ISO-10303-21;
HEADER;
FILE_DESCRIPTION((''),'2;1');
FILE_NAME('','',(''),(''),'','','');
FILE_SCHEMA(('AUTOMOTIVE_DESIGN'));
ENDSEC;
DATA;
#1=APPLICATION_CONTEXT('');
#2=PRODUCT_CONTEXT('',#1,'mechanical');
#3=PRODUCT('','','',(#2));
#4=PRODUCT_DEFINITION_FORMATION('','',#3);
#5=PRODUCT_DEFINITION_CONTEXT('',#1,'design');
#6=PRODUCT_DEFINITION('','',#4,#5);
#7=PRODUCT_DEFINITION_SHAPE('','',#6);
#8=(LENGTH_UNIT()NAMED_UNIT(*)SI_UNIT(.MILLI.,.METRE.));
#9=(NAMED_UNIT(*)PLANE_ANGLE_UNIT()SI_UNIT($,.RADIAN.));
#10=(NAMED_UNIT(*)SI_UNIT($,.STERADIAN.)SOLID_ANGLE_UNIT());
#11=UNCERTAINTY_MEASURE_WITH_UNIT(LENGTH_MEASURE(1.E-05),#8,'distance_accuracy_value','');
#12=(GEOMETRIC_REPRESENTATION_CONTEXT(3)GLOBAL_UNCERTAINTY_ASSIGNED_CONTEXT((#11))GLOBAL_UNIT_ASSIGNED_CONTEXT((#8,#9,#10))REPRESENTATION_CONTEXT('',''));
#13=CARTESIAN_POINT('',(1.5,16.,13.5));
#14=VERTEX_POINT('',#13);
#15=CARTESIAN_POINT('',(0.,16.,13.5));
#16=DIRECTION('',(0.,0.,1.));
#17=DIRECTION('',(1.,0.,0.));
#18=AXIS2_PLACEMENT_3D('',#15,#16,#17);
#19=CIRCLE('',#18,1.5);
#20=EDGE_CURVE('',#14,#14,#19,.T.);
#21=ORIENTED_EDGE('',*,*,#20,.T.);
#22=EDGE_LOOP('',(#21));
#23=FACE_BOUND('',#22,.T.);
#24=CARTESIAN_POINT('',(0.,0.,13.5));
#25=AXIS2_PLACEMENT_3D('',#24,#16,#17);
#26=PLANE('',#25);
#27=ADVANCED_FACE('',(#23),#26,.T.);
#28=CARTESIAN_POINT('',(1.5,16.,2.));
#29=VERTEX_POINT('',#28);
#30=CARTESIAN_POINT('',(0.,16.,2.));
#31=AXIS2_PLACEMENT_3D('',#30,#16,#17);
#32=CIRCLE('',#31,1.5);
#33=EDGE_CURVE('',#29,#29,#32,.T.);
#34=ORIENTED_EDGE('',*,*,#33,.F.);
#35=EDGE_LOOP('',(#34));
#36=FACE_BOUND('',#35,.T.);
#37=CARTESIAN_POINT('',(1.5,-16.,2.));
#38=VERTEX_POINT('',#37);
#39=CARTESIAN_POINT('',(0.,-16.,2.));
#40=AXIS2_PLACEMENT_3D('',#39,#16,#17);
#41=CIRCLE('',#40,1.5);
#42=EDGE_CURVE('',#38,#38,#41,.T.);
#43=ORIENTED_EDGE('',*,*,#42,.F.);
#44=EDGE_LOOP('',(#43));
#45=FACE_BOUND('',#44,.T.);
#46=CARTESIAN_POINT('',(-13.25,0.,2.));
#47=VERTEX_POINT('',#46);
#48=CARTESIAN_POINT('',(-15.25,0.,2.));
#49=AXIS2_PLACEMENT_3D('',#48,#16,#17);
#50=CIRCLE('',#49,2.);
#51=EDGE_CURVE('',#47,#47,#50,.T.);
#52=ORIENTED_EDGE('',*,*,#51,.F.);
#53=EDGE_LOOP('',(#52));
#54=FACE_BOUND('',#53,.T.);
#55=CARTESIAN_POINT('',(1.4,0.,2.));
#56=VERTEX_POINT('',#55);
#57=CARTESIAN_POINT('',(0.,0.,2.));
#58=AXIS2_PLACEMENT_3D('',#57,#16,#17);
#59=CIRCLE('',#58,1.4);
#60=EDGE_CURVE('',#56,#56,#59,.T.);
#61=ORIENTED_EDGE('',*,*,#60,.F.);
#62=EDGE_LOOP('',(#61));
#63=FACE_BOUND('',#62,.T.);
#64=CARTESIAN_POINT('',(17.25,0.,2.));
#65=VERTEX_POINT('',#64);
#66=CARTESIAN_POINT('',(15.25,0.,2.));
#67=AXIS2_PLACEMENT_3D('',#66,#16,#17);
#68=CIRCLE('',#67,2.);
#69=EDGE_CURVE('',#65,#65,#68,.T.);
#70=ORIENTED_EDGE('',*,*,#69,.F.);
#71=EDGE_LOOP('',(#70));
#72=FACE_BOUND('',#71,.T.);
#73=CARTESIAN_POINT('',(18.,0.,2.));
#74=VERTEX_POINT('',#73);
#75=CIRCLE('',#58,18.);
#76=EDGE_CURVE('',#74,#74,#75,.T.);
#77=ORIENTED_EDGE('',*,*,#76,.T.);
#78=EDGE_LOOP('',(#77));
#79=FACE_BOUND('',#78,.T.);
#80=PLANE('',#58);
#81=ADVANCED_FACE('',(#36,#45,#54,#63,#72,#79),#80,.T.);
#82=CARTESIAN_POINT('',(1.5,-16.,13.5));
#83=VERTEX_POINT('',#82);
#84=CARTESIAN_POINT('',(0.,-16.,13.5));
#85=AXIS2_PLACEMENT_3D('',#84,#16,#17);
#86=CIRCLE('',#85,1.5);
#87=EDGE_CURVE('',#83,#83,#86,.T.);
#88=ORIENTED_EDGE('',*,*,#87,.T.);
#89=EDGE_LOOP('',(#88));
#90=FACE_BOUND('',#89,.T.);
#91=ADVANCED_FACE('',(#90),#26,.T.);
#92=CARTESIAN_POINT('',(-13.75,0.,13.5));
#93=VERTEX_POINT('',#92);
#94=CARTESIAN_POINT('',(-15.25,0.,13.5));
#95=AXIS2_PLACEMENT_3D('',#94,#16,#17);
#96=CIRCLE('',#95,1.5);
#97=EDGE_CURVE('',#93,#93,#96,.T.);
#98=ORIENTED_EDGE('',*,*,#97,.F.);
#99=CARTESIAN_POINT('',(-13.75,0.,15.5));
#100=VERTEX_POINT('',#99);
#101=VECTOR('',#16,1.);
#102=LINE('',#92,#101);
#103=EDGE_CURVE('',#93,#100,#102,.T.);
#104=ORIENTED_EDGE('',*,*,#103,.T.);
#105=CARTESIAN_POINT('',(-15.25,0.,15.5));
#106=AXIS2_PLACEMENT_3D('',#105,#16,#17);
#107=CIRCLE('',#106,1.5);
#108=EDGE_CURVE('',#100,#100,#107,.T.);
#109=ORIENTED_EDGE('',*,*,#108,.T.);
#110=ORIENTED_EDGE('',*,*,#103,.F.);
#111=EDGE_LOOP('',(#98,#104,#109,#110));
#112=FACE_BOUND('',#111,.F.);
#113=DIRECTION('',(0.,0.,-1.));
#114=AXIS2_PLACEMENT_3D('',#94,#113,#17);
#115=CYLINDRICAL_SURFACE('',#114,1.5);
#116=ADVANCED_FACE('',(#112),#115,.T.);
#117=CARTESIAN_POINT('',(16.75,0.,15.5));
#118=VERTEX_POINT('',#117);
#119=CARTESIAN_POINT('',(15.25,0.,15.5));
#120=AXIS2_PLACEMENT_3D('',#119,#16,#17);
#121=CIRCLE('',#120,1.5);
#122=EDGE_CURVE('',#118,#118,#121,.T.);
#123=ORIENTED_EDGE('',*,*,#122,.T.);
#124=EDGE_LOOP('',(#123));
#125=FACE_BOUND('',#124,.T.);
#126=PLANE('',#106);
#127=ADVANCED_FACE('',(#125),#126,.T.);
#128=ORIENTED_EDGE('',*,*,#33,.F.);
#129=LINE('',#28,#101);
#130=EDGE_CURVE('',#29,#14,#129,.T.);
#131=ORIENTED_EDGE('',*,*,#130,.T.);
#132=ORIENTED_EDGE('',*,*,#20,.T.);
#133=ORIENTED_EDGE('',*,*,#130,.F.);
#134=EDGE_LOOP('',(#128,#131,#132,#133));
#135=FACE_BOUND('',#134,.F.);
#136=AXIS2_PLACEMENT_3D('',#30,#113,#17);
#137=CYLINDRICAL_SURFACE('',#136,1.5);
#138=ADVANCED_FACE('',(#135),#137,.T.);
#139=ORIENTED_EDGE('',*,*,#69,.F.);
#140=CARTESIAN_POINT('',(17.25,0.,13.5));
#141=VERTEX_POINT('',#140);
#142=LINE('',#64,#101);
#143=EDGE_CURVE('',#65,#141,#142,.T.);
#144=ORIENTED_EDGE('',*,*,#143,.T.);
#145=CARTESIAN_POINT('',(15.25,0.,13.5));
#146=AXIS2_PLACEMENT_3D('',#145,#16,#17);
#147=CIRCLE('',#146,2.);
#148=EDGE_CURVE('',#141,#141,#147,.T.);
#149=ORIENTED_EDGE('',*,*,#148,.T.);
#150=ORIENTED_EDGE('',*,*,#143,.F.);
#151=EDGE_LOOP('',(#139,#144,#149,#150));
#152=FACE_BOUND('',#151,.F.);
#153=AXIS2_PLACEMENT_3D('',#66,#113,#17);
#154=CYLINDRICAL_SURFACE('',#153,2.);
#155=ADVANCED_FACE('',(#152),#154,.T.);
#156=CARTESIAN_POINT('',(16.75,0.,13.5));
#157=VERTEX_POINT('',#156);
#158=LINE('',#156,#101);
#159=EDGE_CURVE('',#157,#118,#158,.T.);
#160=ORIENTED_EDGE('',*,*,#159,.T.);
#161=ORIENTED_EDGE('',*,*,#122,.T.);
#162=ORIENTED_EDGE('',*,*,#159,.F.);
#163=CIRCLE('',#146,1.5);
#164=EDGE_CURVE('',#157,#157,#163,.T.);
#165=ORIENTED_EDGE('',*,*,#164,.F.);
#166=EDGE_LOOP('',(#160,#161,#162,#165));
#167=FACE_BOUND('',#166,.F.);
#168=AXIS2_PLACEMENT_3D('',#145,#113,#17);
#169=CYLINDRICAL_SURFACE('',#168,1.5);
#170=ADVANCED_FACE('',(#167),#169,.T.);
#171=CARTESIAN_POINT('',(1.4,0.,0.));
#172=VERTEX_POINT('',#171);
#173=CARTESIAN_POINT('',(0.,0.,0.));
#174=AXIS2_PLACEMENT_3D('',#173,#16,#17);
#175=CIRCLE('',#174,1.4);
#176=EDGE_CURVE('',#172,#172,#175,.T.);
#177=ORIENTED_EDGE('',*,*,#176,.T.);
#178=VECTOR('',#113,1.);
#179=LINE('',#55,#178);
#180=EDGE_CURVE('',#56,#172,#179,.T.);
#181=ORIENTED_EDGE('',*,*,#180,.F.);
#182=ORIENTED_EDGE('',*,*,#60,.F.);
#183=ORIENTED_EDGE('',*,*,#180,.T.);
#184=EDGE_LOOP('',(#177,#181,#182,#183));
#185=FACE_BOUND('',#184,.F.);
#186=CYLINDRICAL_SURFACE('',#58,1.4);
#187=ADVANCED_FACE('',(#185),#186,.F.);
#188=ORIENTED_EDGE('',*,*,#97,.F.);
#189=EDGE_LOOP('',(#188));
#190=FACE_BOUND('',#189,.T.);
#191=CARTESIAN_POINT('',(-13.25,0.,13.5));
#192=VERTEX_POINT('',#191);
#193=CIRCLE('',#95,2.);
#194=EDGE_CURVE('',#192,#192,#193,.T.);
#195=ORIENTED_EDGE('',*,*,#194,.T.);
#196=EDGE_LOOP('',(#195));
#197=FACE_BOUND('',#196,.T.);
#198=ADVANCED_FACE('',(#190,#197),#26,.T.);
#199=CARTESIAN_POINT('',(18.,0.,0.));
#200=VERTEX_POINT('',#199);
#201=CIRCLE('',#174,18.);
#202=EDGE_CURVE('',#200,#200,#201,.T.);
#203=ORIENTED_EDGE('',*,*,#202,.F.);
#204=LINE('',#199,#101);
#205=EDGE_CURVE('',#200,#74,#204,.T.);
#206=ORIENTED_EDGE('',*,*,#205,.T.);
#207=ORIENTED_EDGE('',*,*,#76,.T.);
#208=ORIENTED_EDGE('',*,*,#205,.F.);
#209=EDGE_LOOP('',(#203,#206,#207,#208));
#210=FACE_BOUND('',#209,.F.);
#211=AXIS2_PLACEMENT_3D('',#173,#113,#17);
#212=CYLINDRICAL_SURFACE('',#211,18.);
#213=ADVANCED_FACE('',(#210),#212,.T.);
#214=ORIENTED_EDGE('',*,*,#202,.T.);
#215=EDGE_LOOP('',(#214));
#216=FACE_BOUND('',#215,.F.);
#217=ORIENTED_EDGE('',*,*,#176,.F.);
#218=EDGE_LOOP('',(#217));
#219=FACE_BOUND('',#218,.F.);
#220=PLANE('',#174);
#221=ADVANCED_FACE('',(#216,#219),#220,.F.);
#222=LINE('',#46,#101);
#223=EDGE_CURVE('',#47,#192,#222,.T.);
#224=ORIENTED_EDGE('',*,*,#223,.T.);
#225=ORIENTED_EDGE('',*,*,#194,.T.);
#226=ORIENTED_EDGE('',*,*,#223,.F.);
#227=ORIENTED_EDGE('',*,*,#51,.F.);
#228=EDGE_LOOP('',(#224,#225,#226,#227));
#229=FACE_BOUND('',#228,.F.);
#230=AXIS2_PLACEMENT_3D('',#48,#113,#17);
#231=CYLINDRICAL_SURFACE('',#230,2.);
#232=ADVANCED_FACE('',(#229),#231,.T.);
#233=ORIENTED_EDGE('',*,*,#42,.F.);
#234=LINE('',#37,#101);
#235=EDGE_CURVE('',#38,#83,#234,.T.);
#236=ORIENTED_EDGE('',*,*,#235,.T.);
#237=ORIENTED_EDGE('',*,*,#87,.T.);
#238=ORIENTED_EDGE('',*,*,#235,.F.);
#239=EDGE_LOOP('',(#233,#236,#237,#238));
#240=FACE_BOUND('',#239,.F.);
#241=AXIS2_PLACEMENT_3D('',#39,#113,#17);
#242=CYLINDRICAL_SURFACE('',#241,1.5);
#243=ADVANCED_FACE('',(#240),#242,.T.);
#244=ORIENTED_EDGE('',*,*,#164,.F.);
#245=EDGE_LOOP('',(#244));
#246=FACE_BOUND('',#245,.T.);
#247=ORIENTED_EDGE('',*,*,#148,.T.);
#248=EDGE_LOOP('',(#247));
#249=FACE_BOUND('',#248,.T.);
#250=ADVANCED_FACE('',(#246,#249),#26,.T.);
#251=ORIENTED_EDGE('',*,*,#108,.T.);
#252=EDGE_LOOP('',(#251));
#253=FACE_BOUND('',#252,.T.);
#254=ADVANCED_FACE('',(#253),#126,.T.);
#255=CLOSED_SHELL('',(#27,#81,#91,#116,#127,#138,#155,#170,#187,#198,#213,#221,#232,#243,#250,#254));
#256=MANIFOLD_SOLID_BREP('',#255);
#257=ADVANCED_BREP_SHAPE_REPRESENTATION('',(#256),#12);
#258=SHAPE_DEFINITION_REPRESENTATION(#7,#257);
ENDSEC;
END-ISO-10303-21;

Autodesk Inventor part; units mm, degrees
ref_plane "YZ Plane" through (0, 0, 0) normal (1, 0, 0) x (0, 1, 0)
ref_plane "XZ Plane" through (0, 0, 0) normal (0, 1, 0) x (-1, 0, 0)
ref_plane "XY Plane" through (0, 0, 0) normal (0, 0, 1) x (1, 0, 0)
sketch "スケッチ1" plane through (0, 0, 0) normal (0, 0, 1) x (1, 0, 0)
  circle A0 centre (0, 0) radius 18
  dimension "d0" = 36
extrude "押し出し1" add sketch "スケッチ1" along normal blind 2
sketch "スケッチ2" plane through (0, 0, 2) normal (0, 0, 1) x (1, 0, 0)
  circle A0 centre (-15.25, 0) radius 2
  circle A1 centre (15.25, 0) radius 2
  point P0 (0, 0)
  dimension "d3" = 4
  dimension "d4" = 4
  dimension "d5" = 0
  dimension "d6" = 0
  dimension "d8" = 15.25
  dimension "d9" = 30.5
extrude "押し出し2" add sketch "スケッチ2" along normal blind 11.5
sketch "スケッチ3" plane through (-15.25, 0, 13.5) normal (0, 0, 1) x (1, 0, 0)
  circle A0 centre (0, 0) radius 1.5
  circle A1 centre (30.5, 0) radius 1.5
  circle A2 centre (0, 0) radius 2 projected
  point P0 (15.25, 0)
  dimension "d12" = 3
  dimension "d13" = 3
  dimension "d14" = 30.5
  dimension "d15" = 0
extrude "押し出し3" add sketch "スケッチ3" along normal blind 2 contours A0 | A1
sketch "スケッチ4" plane through (0, 0, 2) normal (0, 0, 1) x (1, 0, 0)
  circle A0 centre (0, 16) radius 1.5
  circle A1 centre (0, -16) radius 1.5
  point P0 (0, 0)
  dimension "d18" = 3
  dimension "d19" = 3
  dimension "d20" = 32
  dimension "d21" = 16
extrude "押し出し4" add sketch "スケッチ4" along normal blind 11.5
sketch "スケッチ5" plane through (0, 0, 2) normal (0, 0, 1) x (1, 0, 0)
  circle A0 centre (0, 0) radius 1.4
  dimension "d24" = 2.8
extrude "押し出し5" cut sketch "スケッチ5" against normal blind 3
equation "\"BendRadius\" = Thickness"
equation "\"BendReliefWidth\" = Thickness"
equation "\"BendReliefDepth\" = 0.5 * Thickness"
equation "\"CornerReliefSize\" = 4 * Thickness"
equation "\"MinimumRemnant\" = 2 * Thickness"
equation "\"TransitionRadius\" = BendRadius"
equation "\"JacobiRadiusSize\" = BendRadius"
equation "\"GapSize\" = Thickness"
equation "\"Thickness\" = 0.5"
properties part number "1005"
